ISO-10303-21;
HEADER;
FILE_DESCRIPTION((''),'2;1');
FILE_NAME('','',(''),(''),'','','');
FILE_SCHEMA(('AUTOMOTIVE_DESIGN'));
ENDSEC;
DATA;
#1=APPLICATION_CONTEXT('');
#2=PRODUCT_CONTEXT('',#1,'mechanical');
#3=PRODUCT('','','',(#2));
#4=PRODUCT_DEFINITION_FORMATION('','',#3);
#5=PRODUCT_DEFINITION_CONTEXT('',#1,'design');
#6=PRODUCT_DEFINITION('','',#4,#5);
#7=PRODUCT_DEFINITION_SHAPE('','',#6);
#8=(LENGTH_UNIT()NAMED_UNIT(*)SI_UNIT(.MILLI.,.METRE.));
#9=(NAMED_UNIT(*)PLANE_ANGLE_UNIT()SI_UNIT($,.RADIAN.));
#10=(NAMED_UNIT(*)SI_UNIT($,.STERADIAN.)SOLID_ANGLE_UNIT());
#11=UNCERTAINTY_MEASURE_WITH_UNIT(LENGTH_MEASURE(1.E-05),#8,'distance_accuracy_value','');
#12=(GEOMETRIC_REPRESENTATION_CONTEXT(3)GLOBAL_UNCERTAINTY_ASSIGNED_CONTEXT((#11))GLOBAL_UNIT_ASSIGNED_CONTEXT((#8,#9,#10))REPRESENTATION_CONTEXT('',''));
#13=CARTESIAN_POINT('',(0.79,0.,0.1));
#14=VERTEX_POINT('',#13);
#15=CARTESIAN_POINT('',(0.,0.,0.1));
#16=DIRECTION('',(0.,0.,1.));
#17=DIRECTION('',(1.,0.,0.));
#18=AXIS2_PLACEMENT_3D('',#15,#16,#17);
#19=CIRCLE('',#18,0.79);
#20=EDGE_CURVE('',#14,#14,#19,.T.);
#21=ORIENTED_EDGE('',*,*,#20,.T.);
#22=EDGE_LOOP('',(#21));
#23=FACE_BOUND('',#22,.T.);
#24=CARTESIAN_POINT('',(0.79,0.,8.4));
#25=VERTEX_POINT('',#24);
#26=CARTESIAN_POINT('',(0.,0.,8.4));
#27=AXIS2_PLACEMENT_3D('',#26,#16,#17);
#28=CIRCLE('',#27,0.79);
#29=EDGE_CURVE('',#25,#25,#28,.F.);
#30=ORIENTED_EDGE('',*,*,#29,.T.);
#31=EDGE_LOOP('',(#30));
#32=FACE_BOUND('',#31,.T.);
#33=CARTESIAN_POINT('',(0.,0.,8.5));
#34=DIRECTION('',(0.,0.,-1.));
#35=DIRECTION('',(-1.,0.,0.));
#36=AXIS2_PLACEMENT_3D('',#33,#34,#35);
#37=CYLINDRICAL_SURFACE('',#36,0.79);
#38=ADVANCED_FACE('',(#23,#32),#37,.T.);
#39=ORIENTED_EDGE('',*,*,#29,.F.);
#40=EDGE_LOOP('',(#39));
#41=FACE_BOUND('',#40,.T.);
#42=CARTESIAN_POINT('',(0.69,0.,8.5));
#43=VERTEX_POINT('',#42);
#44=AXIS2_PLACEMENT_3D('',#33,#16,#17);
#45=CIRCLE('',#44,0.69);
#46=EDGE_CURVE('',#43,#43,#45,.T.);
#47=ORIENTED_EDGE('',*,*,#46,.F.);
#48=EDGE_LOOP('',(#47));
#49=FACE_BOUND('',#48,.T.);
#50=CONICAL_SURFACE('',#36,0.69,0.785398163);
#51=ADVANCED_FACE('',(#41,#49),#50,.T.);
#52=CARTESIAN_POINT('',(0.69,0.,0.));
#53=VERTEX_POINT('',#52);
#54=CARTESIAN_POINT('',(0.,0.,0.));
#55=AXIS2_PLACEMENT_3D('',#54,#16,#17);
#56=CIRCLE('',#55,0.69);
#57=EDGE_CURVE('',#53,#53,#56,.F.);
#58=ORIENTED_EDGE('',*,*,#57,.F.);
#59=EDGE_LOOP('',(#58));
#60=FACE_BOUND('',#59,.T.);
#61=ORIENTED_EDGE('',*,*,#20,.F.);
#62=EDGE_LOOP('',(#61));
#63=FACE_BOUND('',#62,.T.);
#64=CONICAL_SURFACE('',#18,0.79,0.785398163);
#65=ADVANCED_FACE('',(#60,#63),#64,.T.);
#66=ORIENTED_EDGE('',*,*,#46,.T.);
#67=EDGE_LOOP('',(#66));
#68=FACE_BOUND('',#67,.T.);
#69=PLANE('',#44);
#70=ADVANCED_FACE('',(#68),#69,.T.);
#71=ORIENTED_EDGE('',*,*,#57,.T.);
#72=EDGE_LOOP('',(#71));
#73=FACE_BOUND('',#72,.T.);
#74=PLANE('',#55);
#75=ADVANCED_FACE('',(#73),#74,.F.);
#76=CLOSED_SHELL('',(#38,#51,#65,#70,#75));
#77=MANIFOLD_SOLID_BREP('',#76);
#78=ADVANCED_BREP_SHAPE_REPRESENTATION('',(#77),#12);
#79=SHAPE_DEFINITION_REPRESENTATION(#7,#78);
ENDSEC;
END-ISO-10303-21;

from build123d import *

# Parameters (mm, degrees)
SKETCH1_R                    = 0.79
DRIVE_SHAFT_PIN_SHAPE_DEPTH  = 8.5
DRIVE_SHAFT_PIN_CHAMFER_SIZE = 0.1


with BuildPart() as part:
    # Sketch1 → drive shaft pin shape (new body)
    with BuildSketch(Plane.XY):
        Circle(SKETCH1_R)
    extrude(amount=DRIVE_SHAFT_PIN_SHAPE_DEPTH)

    # drive shaft pin chamfer
    drive_shaft_pin_chamfer_edges = [part.edges().sort_by_distance(p)[0] for p in [
        (-0.79, 0, 0),
        (-0.79, 0, 8.5),
    ]]
    chamfer(drive_shaft_pin_chamfer_edges, length=DRIVE_SHAFT_PIN_CHAMFER_SIZE)


solid = part.part
